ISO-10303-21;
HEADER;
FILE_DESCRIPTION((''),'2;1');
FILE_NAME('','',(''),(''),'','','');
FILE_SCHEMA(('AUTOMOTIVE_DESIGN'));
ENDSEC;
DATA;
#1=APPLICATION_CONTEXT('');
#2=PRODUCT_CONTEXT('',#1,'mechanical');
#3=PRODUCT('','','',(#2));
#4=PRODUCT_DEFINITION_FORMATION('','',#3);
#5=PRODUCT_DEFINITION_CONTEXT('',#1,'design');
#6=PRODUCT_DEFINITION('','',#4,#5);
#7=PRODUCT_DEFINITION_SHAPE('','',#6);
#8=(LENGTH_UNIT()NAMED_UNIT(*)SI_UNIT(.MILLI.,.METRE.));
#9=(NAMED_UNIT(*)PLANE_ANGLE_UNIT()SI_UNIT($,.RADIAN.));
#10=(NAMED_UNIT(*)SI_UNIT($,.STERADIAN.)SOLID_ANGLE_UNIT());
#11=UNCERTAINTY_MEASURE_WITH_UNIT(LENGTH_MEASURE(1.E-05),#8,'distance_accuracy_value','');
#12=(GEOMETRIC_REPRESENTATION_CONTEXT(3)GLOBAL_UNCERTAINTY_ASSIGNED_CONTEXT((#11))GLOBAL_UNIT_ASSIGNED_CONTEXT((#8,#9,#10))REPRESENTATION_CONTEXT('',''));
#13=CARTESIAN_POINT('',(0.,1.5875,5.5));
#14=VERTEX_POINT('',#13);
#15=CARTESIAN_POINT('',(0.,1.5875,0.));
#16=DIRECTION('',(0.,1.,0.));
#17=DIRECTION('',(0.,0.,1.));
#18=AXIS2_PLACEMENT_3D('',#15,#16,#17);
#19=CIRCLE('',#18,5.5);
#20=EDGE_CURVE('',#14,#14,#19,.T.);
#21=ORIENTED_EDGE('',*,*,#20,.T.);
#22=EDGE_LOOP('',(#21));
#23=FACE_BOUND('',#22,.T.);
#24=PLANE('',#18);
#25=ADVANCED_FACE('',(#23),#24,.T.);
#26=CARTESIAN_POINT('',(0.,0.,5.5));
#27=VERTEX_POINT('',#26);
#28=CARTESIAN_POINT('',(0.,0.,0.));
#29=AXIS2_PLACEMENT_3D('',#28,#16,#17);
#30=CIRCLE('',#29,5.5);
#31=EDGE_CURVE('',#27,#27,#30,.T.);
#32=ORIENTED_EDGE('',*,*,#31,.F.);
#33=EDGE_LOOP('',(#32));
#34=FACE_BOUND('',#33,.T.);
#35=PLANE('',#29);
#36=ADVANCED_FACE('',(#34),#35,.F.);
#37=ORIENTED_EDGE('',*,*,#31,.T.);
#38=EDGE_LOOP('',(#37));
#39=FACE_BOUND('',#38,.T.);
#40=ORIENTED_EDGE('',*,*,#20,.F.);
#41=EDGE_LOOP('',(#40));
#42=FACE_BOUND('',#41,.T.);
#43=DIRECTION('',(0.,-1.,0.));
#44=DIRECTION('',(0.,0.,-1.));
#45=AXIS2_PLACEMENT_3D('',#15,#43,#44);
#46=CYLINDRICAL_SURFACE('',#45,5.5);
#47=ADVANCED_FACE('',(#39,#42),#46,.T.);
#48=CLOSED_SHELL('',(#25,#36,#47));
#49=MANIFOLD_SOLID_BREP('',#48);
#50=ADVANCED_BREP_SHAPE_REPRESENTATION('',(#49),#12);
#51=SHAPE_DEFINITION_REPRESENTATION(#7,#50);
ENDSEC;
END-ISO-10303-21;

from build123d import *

# Parameters (mm, degrees)
SKETCH1_R           = 5.5
BOSS_EXTRUDE1_DEPTH = 1.5875


with BuildPart() as part:
    # Sketch1 → Boss-Extrude1 (new body)
    with BuildSketch(Plane(origin=(0, 0, 0), x_dir=(1, 0, 0), z_dir=(0, 1, 0))):
        with Locations(Location((0, 0, 0), (0, 0, 270))):
            Circle(SKETCH1_R)
    extrude(amount=BOSS_EXTRUDE1_DEPTH)


solid = part.part
